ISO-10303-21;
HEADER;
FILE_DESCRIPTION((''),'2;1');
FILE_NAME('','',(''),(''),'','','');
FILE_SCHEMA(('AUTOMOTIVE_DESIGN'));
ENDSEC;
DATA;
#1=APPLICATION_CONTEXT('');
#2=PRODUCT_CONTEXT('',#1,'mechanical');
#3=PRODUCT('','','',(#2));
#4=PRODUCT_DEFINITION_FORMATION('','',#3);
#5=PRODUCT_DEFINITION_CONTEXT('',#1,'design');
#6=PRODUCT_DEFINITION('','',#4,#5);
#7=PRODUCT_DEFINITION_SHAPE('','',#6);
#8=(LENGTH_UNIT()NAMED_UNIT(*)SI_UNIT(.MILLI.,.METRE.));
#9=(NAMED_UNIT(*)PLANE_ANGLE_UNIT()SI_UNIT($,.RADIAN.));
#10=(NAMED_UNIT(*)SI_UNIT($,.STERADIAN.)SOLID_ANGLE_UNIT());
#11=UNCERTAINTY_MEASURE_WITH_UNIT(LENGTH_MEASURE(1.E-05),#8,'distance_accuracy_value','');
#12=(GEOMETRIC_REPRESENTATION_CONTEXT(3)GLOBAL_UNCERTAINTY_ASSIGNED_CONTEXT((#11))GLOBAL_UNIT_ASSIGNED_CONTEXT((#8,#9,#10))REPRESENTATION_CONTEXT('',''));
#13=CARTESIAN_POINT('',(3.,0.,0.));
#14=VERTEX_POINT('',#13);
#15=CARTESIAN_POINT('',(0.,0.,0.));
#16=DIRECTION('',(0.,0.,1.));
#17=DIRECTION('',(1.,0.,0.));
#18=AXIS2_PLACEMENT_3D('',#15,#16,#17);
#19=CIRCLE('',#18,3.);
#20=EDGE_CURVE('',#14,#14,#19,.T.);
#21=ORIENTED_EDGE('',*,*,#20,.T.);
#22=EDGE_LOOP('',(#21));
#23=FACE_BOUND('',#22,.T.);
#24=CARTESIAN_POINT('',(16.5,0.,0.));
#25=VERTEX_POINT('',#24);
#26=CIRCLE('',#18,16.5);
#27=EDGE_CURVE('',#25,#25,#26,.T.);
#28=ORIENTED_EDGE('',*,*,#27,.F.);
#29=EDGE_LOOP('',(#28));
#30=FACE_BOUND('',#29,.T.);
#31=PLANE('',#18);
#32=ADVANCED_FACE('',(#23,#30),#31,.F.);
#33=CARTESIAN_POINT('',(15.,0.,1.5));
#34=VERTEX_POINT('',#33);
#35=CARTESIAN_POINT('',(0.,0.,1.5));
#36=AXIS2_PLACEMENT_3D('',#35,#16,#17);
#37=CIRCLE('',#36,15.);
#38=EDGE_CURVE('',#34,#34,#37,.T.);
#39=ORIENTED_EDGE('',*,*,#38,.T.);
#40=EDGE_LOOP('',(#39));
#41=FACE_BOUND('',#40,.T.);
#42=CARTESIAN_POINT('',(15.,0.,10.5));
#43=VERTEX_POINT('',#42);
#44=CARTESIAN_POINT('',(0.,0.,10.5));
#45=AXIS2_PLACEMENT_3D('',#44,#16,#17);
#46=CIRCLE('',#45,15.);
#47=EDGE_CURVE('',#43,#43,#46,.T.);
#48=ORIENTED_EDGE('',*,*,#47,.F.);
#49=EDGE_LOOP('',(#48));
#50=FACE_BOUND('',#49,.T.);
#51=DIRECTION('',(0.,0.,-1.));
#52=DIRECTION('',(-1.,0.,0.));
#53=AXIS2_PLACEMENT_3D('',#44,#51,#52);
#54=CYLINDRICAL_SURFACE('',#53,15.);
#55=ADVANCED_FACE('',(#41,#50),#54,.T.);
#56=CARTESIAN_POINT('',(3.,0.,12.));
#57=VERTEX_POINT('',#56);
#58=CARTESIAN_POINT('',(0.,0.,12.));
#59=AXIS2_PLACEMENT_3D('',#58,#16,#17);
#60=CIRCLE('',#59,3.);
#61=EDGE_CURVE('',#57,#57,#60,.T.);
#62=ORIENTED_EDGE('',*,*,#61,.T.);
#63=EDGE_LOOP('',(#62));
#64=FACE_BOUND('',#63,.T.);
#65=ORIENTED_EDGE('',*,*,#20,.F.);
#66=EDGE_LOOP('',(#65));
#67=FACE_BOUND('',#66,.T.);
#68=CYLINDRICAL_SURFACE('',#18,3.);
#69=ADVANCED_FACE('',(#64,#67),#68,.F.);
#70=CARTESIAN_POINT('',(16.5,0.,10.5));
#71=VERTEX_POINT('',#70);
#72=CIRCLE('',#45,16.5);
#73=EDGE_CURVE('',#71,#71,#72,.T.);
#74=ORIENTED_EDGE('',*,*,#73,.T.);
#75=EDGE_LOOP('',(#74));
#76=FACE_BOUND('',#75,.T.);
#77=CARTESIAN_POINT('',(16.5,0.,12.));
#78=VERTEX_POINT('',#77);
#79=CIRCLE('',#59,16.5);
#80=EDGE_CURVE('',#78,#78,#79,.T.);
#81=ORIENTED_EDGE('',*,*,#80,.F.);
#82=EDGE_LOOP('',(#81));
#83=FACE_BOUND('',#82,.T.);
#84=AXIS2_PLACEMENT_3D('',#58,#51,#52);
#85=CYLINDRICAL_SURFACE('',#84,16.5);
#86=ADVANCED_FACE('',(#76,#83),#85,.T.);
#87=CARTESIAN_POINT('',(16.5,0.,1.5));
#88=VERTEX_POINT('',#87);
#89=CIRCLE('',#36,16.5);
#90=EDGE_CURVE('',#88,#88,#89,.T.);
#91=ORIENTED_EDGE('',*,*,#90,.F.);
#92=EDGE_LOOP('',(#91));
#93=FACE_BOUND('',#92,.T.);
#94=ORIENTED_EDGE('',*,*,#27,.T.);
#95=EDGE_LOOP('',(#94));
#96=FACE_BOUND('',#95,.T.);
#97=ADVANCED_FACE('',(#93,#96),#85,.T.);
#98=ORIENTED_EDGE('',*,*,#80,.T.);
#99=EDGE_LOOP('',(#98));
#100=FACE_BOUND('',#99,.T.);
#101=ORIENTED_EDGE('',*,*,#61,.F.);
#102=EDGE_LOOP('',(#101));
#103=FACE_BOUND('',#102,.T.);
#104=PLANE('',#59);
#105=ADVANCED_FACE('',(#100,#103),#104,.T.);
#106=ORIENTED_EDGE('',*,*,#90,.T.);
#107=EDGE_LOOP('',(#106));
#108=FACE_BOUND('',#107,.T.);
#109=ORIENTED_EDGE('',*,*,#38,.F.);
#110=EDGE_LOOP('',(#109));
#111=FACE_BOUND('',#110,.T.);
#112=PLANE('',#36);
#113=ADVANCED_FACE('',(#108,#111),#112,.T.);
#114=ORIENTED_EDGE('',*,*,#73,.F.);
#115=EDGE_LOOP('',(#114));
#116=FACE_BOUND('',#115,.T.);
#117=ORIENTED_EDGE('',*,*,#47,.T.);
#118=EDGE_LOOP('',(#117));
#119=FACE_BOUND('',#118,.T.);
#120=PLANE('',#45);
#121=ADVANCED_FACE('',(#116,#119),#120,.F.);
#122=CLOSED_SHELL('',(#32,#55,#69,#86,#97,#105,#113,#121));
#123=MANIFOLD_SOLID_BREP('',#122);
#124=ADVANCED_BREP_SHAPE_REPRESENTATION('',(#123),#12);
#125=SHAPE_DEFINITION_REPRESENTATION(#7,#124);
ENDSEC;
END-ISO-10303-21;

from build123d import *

# Parameters (mm, degrees)
SKETCH_1_R               = 16.5
EXTRUDE_1_DEPTH          = 12
CUT_EXTRUDE_1_DEPTH      = 4.5
CUT_EXTRUDE_1_DEPTH_BACK = 4.5
SKETCH_2_R               = 19.5
SKETCH_2_R_2             = 15
SKETCH_3_R               = 3
CUT_EXTRUDE_2_DEPTH      = 27.239283527


with BuildPart() as part:
    # 草图1 → 凸台-拉伸1 (new body)
    with BuildSketch(Plane.XY):
        Circle(SKETCH_1_R)
    extrude(amount=EXTRUDE_1_DEPTH)

    # 草图2 → 切除-拉伸1 (cut, two sides: drawn at the far end of the back side and taken through both)
    with BuildSketch(Plane.XY.offset(6).offset(-CUT_EXTRUDE_1_DEPTH_BACK)):
        Circle(SKETCH_2_R)
        Circle(SKETCH_2_R_2, mode=Mode.SUBTRACT)
    extrude(amount=CUT_EXTRUDE_1_DEPTH + CUT_EXTRUDE_1_DEPTH_BACK, mode=Mode.SUBTRACT)

    # 草图3 → 切除-拉伸2 (cut, through all)
    with BuildSketch(Plane.XY.offset(12)):
        Circle(SKETCH_3_R)
    extrude(amount=-CUT_EXTRUDE_2_DEPTH, mode=Mode.SUBTRACT)


solid = part.part
